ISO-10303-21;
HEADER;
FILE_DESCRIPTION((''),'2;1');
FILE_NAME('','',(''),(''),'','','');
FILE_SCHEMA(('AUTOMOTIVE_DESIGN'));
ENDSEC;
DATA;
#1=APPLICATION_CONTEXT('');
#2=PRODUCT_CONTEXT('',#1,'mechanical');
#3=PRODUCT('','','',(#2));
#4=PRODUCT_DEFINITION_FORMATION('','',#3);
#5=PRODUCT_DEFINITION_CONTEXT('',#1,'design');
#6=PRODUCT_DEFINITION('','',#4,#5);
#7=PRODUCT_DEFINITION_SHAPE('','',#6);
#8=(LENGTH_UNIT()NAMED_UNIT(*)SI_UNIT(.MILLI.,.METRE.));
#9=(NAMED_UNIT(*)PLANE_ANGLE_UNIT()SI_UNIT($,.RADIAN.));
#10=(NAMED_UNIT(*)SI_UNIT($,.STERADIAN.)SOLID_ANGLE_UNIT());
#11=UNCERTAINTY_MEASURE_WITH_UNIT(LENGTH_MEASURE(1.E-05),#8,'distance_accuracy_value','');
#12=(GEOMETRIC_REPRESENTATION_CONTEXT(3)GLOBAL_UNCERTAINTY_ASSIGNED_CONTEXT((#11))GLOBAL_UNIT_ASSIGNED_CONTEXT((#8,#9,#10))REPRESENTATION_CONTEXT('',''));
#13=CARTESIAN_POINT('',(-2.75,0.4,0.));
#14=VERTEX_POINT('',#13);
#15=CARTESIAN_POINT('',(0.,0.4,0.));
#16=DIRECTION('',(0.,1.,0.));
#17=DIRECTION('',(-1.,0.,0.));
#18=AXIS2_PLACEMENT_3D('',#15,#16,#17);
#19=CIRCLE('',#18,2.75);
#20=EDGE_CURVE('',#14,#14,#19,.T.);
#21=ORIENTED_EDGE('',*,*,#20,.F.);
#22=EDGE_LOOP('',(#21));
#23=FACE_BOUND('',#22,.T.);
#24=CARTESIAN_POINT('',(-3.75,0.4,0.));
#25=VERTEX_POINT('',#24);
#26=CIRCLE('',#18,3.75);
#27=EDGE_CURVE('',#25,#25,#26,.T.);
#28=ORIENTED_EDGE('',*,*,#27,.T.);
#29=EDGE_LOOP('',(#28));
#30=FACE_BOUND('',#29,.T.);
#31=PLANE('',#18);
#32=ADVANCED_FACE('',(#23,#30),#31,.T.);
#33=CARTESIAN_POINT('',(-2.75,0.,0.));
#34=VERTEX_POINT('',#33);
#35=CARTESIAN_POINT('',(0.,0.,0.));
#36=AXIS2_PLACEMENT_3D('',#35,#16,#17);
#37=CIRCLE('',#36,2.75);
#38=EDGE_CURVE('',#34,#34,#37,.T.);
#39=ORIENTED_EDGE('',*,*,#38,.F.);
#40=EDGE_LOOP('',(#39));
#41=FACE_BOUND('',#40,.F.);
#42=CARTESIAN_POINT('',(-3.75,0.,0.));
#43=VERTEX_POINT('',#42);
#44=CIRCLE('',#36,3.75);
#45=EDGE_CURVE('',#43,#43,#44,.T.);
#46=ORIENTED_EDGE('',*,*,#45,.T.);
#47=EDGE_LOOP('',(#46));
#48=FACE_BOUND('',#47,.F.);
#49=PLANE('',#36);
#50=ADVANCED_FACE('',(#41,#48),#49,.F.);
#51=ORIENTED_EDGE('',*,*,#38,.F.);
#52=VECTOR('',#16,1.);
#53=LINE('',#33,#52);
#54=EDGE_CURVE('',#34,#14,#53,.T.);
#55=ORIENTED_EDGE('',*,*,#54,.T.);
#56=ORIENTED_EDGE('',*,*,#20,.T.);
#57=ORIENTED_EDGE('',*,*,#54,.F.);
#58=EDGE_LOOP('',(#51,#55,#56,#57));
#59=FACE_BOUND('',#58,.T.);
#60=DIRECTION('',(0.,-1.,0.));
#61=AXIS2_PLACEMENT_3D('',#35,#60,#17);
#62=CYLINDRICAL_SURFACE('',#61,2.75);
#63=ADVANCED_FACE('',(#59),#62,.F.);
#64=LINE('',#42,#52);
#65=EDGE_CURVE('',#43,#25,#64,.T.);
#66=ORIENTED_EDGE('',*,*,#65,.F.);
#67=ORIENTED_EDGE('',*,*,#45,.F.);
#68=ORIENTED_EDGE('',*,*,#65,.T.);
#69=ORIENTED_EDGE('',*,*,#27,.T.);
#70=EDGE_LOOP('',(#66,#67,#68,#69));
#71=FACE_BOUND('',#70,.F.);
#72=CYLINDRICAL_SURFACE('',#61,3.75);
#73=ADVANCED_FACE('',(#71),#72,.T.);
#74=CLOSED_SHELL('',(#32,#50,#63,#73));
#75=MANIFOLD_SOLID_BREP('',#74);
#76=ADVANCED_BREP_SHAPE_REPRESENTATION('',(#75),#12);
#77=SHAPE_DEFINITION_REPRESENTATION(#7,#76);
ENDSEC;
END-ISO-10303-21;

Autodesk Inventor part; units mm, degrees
ref_plane "YZ Plane" through (0, 0, 0) normal (1, 0, 0) x (0, 1, 0)
ref_plane "XZ Plane" through (0, 0, 0) normal (0, 1, 0) x (-1, 0, 0)
ref_plane "XY Plane" through (0, 0, 0) normal (0, 0, 1) x (1, 0, 0)
sketch "Sketch1" plane through (0, 0, 0) normal (0, 1, 0) x (-1, 0, 0)
  circle A0 centre (0, 0) radius 2.75
  circle A1 centre (0, 0) radius 3.75
  dimension "d0" = 5.5
  dimension "d4" = 1
extrude "Extrusion1" add sketch "Sketch1" along normal blind 0.4
properties part number "m5_shim"
